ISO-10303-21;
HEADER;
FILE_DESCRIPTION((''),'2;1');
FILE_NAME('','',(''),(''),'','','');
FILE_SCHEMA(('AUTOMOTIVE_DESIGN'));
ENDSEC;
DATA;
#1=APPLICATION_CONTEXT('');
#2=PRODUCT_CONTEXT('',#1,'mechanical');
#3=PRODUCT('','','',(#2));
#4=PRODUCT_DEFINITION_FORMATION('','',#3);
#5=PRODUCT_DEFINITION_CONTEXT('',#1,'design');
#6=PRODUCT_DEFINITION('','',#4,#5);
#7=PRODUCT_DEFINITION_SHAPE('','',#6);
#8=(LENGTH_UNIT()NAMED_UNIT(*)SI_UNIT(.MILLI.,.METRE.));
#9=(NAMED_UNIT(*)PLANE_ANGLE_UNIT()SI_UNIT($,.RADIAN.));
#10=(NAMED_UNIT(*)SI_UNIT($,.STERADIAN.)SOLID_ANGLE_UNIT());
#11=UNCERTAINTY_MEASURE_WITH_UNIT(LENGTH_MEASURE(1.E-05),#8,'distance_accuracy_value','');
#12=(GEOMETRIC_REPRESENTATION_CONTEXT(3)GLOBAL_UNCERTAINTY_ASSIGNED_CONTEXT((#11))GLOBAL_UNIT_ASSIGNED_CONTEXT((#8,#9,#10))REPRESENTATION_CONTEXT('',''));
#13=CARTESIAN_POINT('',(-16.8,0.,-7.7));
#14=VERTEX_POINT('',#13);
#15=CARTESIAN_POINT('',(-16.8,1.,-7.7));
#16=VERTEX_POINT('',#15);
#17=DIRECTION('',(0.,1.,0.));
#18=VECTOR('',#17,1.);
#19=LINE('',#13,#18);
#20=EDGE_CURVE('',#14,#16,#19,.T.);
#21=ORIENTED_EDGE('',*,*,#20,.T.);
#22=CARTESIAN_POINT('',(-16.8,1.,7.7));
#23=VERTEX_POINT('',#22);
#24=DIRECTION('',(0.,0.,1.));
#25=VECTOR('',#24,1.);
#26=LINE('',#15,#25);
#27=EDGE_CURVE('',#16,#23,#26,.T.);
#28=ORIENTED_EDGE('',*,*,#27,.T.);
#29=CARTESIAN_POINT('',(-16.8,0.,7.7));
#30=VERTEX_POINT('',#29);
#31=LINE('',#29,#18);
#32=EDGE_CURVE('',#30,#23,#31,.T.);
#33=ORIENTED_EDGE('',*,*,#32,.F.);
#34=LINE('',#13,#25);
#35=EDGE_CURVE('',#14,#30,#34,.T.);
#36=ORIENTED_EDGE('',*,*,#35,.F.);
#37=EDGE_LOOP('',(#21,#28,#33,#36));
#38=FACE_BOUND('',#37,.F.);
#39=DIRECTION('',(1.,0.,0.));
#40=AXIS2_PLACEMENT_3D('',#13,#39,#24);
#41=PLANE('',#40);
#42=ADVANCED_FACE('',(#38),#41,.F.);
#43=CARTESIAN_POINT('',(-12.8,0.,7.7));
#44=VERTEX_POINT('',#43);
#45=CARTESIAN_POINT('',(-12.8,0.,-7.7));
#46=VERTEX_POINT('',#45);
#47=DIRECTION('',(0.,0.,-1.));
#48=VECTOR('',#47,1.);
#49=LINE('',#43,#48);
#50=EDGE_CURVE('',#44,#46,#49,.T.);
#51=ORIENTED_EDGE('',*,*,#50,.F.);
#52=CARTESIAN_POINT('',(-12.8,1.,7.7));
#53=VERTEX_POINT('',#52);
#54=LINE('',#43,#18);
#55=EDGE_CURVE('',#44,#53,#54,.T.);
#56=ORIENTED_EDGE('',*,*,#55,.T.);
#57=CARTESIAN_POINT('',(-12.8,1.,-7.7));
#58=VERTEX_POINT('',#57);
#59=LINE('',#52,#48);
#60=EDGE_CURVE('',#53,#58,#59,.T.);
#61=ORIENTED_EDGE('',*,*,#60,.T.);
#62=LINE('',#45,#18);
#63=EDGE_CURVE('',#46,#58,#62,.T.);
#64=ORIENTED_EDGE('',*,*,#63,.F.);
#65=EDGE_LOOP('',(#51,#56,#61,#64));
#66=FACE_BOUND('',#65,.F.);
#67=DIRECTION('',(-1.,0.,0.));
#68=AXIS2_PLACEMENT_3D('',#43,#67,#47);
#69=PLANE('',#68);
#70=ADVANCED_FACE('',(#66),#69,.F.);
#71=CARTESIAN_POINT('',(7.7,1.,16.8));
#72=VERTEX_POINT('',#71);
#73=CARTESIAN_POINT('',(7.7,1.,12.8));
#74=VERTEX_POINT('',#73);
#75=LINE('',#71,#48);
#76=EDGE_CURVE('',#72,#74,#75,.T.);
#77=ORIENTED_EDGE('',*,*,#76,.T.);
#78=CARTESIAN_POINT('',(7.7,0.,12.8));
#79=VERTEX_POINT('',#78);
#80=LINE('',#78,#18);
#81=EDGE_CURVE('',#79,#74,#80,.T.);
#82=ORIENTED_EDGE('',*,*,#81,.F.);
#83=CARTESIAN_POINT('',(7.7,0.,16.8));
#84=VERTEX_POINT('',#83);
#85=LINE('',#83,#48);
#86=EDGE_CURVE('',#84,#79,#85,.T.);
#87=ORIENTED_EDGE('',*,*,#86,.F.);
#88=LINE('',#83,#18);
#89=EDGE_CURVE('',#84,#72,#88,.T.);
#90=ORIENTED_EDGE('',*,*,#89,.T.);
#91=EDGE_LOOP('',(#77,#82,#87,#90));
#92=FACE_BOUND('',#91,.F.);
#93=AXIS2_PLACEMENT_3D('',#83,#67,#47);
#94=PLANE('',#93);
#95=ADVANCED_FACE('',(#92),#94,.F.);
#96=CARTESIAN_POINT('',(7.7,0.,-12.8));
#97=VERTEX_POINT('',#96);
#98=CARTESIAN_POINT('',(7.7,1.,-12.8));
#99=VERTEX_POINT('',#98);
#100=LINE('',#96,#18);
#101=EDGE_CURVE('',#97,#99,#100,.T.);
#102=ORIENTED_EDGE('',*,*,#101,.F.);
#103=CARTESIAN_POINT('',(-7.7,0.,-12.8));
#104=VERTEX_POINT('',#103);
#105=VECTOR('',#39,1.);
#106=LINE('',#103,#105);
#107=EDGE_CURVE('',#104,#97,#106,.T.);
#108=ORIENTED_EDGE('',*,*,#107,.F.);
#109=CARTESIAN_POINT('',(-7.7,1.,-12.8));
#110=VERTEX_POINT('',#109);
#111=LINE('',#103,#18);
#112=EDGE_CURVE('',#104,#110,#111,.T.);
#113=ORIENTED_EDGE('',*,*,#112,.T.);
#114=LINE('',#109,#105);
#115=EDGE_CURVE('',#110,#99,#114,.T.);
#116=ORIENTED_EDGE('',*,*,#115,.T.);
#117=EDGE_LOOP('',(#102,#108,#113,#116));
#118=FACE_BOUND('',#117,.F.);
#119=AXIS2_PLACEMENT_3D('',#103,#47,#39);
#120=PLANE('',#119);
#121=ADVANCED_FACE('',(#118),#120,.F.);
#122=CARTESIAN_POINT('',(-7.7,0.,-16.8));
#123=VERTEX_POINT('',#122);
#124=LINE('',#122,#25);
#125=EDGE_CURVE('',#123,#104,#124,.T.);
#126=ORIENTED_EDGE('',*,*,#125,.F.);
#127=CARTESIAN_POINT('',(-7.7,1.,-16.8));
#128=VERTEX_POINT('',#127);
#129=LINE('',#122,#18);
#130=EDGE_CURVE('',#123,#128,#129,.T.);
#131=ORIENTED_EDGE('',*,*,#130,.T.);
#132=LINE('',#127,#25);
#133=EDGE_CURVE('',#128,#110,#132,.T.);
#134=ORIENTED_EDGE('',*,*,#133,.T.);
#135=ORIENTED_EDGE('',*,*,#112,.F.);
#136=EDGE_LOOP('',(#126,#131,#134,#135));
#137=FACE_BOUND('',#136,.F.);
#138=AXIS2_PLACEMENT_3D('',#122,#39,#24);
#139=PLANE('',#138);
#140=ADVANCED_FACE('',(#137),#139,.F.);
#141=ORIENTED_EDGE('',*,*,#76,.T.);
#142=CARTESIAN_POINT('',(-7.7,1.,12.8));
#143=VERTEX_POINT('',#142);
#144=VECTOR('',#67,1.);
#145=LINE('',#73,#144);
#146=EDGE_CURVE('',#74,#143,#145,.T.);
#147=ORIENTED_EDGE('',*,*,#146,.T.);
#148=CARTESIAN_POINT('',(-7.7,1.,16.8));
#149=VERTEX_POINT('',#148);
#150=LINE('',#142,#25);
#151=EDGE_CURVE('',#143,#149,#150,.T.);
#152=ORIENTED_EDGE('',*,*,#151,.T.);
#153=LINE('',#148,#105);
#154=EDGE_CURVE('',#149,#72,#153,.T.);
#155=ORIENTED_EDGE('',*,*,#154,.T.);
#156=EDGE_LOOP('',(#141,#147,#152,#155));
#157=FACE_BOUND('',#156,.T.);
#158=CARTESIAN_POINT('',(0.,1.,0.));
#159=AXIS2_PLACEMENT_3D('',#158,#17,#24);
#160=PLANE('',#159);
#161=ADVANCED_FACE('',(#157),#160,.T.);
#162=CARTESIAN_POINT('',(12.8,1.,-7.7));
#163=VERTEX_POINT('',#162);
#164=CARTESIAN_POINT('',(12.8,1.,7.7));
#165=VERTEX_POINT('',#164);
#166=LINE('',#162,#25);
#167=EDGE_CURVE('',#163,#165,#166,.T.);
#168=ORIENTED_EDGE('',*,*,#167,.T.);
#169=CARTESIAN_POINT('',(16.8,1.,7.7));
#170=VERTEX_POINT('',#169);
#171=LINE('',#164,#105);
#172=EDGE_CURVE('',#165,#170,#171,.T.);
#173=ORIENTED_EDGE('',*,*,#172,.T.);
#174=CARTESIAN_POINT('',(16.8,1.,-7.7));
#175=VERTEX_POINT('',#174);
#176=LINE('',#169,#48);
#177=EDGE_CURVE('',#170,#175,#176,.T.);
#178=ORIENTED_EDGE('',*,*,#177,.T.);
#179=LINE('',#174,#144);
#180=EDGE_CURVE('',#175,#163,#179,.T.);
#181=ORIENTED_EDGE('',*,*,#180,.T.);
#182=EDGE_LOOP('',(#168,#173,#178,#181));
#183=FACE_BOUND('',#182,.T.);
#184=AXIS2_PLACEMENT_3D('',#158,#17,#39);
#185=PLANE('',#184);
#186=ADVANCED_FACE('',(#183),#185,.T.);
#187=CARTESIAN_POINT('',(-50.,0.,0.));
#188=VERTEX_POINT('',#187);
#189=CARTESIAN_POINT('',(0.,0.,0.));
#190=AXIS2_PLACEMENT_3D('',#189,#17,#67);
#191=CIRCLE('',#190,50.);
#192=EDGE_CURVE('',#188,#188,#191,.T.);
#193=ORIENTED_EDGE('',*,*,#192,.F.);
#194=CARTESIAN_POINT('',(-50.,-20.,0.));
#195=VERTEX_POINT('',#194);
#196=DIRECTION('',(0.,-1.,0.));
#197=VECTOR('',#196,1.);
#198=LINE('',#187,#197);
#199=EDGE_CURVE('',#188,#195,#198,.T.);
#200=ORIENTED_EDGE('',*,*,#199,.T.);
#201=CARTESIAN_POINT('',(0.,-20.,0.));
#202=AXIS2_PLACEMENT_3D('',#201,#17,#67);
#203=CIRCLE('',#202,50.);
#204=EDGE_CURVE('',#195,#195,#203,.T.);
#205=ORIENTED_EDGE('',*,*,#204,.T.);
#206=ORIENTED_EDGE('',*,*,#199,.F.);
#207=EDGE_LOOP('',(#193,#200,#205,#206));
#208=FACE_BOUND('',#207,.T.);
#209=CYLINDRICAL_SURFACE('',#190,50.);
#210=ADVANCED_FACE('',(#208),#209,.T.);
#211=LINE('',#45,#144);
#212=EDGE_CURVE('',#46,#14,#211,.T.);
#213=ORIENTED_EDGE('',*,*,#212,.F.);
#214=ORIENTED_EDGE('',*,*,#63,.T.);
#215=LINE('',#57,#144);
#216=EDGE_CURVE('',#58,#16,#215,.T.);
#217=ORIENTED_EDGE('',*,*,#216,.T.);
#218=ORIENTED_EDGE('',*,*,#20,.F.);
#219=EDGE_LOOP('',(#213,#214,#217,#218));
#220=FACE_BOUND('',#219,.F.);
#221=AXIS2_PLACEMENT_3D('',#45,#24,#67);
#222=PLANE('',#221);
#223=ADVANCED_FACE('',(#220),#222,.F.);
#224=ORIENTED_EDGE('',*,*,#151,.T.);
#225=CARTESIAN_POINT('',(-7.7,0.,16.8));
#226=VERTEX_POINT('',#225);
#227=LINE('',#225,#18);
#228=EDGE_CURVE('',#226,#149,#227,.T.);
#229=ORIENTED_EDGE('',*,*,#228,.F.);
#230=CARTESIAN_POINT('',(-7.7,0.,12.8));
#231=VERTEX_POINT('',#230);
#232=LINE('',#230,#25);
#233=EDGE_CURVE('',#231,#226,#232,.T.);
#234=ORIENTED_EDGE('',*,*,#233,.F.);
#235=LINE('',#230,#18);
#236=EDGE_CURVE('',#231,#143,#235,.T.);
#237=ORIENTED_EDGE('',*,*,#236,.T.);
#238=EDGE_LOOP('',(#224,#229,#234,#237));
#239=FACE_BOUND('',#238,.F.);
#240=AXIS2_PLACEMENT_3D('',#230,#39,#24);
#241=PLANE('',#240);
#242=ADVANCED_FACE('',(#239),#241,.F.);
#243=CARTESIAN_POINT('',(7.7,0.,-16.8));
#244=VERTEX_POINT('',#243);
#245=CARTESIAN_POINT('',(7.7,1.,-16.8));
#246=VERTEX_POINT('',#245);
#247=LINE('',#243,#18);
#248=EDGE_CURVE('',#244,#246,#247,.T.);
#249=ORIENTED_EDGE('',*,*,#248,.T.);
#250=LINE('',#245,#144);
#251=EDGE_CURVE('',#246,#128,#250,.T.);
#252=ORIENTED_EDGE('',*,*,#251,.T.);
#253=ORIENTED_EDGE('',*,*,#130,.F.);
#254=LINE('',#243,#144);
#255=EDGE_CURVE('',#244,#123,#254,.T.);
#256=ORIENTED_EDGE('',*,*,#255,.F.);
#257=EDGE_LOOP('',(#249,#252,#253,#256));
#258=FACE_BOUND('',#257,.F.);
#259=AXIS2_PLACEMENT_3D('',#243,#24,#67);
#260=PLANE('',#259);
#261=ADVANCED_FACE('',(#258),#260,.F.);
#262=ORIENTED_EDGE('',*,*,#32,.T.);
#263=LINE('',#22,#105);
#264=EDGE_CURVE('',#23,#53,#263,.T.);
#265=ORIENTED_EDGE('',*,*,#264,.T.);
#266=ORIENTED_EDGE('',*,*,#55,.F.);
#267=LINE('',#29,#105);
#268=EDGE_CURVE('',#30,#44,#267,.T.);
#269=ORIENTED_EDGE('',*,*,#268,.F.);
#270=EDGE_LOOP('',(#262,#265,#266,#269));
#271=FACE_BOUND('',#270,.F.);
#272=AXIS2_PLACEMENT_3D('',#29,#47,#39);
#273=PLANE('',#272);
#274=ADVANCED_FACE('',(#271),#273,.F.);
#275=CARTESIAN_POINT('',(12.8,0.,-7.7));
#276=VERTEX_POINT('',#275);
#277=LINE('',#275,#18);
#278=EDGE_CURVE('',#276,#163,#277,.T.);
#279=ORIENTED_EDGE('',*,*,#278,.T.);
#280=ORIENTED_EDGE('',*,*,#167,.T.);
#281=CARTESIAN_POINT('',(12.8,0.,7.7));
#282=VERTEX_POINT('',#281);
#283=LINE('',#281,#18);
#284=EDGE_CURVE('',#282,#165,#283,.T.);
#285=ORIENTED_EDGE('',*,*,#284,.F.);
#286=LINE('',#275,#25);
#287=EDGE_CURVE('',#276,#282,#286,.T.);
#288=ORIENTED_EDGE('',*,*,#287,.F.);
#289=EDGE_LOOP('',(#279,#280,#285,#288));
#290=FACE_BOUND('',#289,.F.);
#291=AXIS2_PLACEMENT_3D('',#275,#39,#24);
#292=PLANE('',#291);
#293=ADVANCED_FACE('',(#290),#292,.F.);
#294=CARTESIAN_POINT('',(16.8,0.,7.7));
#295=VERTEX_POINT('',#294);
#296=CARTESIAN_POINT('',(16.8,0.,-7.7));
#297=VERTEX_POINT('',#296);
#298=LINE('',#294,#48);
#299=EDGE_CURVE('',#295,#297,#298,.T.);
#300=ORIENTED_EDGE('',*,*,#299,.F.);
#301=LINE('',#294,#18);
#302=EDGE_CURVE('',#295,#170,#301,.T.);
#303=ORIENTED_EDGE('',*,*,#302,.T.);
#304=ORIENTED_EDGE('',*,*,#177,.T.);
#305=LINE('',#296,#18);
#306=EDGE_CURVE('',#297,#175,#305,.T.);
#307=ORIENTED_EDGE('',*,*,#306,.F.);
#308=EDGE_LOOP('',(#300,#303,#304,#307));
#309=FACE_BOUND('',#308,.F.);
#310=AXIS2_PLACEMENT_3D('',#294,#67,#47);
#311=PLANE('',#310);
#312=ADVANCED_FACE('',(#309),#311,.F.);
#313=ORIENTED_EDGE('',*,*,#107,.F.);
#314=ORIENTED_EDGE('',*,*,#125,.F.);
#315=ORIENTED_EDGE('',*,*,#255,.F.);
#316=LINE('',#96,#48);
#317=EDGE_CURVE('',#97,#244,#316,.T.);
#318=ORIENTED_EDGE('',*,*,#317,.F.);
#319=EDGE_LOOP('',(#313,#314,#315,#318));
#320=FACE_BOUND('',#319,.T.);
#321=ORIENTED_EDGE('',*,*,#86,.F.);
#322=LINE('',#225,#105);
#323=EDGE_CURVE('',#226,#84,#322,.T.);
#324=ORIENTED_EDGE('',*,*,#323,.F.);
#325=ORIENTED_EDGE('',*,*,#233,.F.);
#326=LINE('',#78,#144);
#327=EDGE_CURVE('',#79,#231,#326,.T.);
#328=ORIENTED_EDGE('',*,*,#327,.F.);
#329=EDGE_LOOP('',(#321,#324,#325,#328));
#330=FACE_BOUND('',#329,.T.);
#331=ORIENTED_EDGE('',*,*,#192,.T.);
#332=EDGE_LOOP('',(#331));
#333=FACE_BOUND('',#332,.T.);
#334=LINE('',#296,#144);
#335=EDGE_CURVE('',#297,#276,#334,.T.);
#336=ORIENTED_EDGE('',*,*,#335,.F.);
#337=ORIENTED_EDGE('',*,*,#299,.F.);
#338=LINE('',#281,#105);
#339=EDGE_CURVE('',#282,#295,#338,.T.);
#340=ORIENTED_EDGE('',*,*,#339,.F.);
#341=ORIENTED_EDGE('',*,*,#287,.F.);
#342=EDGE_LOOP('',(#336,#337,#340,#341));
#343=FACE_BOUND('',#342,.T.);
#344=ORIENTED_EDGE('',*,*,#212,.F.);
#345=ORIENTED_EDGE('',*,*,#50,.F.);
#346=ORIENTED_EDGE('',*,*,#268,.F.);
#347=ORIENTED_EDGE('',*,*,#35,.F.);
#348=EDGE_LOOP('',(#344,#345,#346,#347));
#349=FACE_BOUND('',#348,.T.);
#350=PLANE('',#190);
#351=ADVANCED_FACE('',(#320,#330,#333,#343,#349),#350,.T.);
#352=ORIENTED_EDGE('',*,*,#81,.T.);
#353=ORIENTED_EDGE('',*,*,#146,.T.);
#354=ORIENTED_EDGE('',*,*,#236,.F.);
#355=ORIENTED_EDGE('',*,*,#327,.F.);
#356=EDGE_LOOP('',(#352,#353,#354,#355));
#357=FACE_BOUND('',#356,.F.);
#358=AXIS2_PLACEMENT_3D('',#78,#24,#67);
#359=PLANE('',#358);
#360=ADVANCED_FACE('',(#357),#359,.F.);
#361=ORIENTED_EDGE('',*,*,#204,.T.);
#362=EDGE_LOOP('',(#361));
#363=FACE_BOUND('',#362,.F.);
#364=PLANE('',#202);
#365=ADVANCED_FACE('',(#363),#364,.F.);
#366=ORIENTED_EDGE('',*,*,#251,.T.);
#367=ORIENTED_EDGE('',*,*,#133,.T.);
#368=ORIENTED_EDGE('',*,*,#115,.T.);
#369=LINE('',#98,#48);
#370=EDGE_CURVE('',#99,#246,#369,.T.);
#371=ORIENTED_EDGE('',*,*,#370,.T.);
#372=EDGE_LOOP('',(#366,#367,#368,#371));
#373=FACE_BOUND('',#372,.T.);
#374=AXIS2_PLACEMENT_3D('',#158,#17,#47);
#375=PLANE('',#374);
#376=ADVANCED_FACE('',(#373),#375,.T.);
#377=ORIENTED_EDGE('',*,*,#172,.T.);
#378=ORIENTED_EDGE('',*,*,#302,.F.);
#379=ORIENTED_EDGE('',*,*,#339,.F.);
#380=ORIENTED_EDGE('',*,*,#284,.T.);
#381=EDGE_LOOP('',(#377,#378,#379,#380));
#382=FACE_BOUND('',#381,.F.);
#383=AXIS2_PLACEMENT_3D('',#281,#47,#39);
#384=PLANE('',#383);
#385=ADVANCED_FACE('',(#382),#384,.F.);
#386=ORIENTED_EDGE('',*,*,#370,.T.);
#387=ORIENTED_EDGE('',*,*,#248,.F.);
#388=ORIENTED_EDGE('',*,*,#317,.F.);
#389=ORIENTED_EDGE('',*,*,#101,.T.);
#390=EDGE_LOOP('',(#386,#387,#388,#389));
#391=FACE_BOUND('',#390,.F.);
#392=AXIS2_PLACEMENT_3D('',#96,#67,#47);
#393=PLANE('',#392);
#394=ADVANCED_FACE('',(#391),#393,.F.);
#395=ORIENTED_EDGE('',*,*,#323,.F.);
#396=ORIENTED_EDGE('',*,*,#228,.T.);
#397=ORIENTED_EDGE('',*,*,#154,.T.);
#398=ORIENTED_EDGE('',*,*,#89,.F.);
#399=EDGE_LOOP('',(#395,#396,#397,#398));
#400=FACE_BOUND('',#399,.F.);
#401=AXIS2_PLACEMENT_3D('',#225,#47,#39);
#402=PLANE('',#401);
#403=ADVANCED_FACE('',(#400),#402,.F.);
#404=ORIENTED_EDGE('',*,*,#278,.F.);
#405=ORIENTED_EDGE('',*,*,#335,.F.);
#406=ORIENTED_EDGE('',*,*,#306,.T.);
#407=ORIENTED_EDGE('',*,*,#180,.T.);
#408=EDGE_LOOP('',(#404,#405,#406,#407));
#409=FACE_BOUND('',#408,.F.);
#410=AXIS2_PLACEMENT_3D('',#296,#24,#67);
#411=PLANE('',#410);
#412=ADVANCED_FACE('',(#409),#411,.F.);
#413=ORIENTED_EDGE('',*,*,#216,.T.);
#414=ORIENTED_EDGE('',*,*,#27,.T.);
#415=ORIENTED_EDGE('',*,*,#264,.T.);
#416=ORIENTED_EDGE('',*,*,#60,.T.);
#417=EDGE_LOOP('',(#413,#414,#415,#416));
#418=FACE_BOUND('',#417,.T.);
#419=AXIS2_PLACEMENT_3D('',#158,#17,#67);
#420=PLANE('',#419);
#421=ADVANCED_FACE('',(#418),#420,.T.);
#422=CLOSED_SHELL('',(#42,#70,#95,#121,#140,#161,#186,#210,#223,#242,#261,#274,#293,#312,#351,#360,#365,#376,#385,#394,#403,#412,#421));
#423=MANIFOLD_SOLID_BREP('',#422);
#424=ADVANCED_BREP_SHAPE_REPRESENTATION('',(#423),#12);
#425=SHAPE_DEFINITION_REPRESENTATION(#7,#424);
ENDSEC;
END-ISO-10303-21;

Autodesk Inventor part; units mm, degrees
ref_plane "YZ Plane" through (0, 0, 0) normal (1, 0, 0) x (0, 1, 0)
ref_plane "XZ Plane" through (0, 0, 0) normal (0, 1, 0) x (-1, 0, 0)
ref_plane "XY Plane" through (0, 0, 0) normal (0, 0, 1) x (1, 0, 0)
sketch "Sketch1" plane through (0, 0, 0) normal (0, 1, 0) x (-1, 0, 0)
  line L0 (-12.7, 12.7) -> (12.7, 12.7)
  line L1 (12.7, 12.7) -> (12.7, -12.7)
  line L2 (12.7, -12.7) -> (-12.7, -12.7)
  line L3 (-12.7, -12.7) -> (-12.7, 12.7)
  line L4 (-12.7, 12.7) -> (12.7, -12.7) construction
  line L5 (12.7, 12.7) -> (-12.7, -12.7) construction
  circle A0 centre (0, 0) radius 50
  line L6 (12.8, -7.7) -> (16.8, -7.7)
  line L7 (16.8, -7.7) -> (16.8, 7.7)
  line L8 (16.8, 7.7) -> (12.8, 7.7)
  line L9 (12.8, 7.7) -> (12.8, -7.7)
  line L10 (-12.5, -17.7) -> (12.5, -17.7) construction
  line L11 (12.5, -17.7) -> (12.5, -42.7) construction
  line L12 (12.5, -42.7) -> (-12.5, -42.7) construction
  line L13 (-12.5, -42.7) -> (-12.5, -17.7) construction
  line L14 (0, -12.7) -> (0, -17.7) construction
  line L15 (17.8, 12.5) -> (42.8, 12.5) construction
  line L16 (42.8, 12.5) -> (42.8, -12.5) construction
  line L17 (42.8, -12.5) -> (17.8, -12.5) construction
  line L18 (17.8, -12.5) -> (17.8, 12.5) construction
  line L19 (-42.7, 12.5) -> (-17.7, 12.5) construction
  line L20 (-17.7, 12.5) -> (-17.7, -12.5) construction
  line L21 (-17.7, -12.5) -> (-42.7, -12.5) construction
  line L22 (-42.7, -12.5) -> (-42.7, 12.5) construction
  line L23 (-12.5, 42.7) -> (12.5, 42.7) construction
  line L24 (12.5, 42.7) -> (12.5, 17.7) construction
  line L25 (12.5, 17.7) -> (-12.5, 17.7) construction
  line L26 (-12.5, 17.7) -> (-12.5, 42.7) construction
  line L27 (17.8, 0) -> (12.8, 0) construction
  line L28 (-12.7, 0) -> (-17.7, 0) construction
  line L29 (0, 17.7) -> (0, 12.7) construction
  point P0 (30.3, 12.5)
  point P1 (-30.2, 12.5)
  point P2 (0, 42.7)
  dimension "d0" = 25.4
  dimension "d1" = 25.4
  dimension "d2" = 0.1
  dimension "d3" = 4
  dimension "d4" = 100
  dimension "d7" = 5
  dimension "d8" = 5
  dimension "d21" = 25
  dimension "d28" = 25
  dimension "d35" = 25
  dimension "d44" = 25
  dimension "d73" = 5
  dimension "d74" = 5
  dimension "d75" = 5
  dimension "d76" = 5
extrude "Extrusion1" add sketch "Sketch1" against normal blind 20 contours L0 L1 L2 L3 | A0 | L9 L8 L7 L6
extrude "Extrusion2" add sketch "Sketch1" along normal blind 1 contours L9 L8 L7 L6
pattern_circular "Circular Pattern1" count 4 over 360 about axis through (0, 0, 0) along (0, -1, 0) of "Extrusion2"
decal "Decal1"
decal "Decal2"
decal "Decal3"
decal "Decal4"
equation "\"d8\" = d7"
equation "\"d73\" = d74"
equation "\"d75\" = d74"
equation "\"d76\" = d74"
properties part number "Spin Chuck"
